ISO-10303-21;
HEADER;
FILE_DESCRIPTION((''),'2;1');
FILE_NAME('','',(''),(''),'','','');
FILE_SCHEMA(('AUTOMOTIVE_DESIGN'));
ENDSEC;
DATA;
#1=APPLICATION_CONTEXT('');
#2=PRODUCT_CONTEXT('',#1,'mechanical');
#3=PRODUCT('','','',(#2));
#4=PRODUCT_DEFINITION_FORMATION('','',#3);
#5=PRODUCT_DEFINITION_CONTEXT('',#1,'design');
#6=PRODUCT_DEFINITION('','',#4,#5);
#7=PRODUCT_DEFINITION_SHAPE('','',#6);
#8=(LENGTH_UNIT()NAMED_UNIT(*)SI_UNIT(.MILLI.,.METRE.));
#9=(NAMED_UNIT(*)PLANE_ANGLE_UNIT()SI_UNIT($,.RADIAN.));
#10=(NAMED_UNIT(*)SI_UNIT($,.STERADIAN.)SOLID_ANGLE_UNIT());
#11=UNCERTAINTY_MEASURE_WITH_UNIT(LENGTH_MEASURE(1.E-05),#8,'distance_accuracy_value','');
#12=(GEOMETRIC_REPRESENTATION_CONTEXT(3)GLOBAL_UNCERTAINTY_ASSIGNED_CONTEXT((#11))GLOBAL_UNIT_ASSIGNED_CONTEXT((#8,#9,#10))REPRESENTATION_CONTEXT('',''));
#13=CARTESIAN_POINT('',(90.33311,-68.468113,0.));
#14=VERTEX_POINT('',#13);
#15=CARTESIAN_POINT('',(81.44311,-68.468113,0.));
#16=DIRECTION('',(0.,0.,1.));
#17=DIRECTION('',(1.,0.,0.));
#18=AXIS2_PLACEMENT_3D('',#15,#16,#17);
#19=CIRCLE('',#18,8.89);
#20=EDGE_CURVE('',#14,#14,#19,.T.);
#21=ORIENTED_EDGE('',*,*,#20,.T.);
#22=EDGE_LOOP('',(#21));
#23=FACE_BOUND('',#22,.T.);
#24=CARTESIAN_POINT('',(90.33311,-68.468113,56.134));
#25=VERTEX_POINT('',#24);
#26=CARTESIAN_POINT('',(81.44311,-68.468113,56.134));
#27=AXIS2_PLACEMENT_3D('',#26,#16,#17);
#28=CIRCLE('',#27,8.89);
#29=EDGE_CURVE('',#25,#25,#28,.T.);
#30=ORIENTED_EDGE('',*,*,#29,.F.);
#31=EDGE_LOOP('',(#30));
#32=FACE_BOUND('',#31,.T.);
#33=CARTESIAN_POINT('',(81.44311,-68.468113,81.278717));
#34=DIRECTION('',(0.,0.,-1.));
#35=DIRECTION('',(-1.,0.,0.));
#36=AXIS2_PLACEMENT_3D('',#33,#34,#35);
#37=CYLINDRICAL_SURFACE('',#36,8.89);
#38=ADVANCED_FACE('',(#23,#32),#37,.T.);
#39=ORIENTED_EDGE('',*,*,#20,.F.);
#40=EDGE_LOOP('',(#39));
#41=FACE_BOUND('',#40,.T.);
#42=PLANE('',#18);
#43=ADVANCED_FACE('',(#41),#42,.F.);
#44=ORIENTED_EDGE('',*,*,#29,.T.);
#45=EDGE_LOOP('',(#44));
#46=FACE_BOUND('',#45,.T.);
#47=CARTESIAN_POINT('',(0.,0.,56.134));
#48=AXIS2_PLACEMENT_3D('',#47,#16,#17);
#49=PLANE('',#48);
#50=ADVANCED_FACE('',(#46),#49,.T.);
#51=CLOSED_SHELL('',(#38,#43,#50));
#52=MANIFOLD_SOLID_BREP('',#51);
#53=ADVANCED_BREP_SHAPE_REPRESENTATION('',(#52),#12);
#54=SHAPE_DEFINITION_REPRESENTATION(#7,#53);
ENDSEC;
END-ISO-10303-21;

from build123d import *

# Parameters (mm, degrees)
SKETCH1_R      = 8.89
EXTRUDE1_DEPTH = 56.134


with BuildPart() as part:
    # Sketch1 → Extrude1 (new body)
    with BuildSketch(Plane.XY):
        with Locations((81.443110483, -68.468113052)):
            Circle(SKETCH1_R)
    extrude(amount=EXTRUDE1_DEPTH)


solid = part.part
